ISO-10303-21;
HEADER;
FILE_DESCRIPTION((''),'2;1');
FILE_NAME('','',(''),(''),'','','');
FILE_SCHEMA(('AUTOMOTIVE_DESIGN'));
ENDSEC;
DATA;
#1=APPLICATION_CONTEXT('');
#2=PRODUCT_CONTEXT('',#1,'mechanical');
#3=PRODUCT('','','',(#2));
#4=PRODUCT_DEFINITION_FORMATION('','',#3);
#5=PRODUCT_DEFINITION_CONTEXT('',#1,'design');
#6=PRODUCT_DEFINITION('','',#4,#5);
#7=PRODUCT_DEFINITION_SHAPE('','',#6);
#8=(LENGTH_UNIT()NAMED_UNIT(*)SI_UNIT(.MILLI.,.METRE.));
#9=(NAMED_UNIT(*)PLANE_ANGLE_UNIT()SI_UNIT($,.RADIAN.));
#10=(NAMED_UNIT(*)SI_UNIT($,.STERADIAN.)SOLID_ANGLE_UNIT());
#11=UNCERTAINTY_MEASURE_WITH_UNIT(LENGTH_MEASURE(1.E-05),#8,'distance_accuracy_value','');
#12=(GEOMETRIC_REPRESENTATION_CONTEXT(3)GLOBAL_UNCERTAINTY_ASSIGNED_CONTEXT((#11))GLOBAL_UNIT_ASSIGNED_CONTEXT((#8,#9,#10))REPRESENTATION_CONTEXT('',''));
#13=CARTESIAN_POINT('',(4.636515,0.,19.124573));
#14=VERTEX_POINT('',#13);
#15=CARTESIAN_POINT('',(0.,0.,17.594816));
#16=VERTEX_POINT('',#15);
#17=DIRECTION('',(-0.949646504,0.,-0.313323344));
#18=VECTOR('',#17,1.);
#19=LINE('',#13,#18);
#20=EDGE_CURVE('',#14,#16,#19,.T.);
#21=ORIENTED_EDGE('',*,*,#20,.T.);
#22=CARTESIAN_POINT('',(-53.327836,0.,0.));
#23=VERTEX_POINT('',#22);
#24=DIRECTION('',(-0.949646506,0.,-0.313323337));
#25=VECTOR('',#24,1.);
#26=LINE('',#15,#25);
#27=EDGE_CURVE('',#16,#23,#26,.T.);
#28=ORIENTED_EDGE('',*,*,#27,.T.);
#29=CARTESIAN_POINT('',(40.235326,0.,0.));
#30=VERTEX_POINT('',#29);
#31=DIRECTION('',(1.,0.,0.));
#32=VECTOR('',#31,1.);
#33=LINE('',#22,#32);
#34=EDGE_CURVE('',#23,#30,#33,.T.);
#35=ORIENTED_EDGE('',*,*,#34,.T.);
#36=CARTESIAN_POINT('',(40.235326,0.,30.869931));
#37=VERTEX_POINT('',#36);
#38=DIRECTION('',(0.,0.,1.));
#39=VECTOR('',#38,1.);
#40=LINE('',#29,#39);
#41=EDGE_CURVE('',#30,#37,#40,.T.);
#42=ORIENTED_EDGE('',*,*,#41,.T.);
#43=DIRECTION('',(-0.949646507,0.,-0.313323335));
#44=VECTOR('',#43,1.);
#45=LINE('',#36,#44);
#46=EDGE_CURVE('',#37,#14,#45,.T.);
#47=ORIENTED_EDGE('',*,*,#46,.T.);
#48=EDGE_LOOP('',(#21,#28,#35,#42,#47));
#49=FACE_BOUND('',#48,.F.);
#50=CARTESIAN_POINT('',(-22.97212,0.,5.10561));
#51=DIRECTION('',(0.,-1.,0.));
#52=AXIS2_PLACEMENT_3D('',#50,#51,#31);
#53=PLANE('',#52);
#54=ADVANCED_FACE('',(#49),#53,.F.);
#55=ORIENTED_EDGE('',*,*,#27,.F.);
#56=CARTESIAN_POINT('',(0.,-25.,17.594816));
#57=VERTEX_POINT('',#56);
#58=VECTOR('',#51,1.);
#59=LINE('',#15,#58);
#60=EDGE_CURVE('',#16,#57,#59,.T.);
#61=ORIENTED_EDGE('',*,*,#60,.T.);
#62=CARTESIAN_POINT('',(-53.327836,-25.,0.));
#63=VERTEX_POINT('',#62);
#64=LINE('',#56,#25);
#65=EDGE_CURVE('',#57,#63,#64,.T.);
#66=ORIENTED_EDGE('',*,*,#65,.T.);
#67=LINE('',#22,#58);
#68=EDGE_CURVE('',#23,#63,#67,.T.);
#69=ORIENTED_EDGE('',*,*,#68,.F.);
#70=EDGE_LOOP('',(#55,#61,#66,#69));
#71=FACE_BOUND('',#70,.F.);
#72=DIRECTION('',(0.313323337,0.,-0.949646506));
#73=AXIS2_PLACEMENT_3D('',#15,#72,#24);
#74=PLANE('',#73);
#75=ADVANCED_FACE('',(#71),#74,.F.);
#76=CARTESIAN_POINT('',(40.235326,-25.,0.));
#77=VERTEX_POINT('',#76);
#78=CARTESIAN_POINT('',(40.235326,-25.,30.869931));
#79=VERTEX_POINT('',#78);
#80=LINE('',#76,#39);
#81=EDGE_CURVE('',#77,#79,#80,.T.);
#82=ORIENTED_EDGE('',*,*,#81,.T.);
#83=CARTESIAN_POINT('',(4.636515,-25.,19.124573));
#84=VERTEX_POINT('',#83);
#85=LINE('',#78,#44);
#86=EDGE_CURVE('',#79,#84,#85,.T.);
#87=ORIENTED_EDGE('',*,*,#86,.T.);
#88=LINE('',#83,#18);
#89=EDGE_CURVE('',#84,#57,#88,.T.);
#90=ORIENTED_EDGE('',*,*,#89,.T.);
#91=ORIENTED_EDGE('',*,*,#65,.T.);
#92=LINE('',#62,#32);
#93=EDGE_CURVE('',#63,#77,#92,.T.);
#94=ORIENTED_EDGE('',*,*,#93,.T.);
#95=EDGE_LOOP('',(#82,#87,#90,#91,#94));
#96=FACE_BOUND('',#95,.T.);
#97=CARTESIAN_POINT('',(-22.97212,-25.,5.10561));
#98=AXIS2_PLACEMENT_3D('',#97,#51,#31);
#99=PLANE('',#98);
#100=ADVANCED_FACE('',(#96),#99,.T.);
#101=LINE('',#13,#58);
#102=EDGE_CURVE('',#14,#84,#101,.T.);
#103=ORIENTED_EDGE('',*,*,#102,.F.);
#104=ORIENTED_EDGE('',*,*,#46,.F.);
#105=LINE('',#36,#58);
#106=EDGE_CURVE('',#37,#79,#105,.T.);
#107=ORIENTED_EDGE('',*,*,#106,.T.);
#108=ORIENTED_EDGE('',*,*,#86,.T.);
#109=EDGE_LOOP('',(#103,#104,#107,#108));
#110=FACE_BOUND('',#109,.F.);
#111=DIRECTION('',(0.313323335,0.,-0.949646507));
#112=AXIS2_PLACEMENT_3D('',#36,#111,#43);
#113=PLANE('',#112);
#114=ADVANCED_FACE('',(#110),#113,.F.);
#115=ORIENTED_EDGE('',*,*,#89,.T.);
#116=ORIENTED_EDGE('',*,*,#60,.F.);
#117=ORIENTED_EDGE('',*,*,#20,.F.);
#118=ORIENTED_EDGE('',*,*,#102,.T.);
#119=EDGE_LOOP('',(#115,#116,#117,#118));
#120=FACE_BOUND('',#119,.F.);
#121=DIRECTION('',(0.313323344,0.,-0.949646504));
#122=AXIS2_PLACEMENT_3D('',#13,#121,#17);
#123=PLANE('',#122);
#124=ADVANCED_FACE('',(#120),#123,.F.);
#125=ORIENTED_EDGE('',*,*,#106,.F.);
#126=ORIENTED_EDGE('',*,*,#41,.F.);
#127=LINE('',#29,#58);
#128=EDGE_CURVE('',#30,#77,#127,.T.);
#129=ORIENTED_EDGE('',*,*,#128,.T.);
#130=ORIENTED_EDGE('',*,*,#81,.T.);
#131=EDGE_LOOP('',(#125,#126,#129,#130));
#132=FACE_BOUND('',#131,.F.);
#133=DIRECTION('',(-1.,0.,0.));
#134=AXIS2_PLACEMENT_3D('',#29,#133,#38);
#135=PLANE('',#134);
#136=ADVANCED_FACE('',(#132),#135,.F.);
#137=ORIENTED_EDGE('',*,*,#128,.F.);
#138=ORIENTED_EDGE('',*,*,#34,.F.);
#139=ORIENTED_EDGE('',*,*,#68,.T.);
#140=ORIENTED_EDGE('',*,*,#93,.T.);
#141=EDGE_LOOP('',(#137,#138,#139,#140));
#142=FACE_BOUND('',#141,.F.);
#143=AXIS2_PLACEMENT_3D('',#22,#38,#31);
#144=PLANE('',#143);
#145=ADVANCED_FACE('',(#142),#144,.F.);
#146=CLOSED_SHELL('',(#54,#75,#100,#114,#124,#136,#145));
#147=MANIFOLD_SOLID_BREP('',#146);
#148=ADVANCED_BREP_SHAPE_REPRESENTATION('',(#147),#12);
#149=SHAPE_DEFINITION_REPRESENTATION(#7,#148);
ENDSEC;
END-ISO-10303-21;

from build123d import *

# Parameters (mm, degrees)
F1_DEPTH = 25


with BuildPart() as f1:
    # F0 (on Front) → F1 (new body)
    with BuildSketch(Plane.XZ):
        Polygon((0, 17.594816), (-53.327836, 0), (0, 0), align=None)
        Polygon((4.636515, 19.124573), (4.636515, 0), (40.235326, 0), (40.235326, 30.869931), align=None)
        Polygon((0, 17.594816), (0, 0), (4.636515, 0), (4.636515, 19.124573), align=None)
    extrude(amount=F1_DEPTH)


solid = f1.part
